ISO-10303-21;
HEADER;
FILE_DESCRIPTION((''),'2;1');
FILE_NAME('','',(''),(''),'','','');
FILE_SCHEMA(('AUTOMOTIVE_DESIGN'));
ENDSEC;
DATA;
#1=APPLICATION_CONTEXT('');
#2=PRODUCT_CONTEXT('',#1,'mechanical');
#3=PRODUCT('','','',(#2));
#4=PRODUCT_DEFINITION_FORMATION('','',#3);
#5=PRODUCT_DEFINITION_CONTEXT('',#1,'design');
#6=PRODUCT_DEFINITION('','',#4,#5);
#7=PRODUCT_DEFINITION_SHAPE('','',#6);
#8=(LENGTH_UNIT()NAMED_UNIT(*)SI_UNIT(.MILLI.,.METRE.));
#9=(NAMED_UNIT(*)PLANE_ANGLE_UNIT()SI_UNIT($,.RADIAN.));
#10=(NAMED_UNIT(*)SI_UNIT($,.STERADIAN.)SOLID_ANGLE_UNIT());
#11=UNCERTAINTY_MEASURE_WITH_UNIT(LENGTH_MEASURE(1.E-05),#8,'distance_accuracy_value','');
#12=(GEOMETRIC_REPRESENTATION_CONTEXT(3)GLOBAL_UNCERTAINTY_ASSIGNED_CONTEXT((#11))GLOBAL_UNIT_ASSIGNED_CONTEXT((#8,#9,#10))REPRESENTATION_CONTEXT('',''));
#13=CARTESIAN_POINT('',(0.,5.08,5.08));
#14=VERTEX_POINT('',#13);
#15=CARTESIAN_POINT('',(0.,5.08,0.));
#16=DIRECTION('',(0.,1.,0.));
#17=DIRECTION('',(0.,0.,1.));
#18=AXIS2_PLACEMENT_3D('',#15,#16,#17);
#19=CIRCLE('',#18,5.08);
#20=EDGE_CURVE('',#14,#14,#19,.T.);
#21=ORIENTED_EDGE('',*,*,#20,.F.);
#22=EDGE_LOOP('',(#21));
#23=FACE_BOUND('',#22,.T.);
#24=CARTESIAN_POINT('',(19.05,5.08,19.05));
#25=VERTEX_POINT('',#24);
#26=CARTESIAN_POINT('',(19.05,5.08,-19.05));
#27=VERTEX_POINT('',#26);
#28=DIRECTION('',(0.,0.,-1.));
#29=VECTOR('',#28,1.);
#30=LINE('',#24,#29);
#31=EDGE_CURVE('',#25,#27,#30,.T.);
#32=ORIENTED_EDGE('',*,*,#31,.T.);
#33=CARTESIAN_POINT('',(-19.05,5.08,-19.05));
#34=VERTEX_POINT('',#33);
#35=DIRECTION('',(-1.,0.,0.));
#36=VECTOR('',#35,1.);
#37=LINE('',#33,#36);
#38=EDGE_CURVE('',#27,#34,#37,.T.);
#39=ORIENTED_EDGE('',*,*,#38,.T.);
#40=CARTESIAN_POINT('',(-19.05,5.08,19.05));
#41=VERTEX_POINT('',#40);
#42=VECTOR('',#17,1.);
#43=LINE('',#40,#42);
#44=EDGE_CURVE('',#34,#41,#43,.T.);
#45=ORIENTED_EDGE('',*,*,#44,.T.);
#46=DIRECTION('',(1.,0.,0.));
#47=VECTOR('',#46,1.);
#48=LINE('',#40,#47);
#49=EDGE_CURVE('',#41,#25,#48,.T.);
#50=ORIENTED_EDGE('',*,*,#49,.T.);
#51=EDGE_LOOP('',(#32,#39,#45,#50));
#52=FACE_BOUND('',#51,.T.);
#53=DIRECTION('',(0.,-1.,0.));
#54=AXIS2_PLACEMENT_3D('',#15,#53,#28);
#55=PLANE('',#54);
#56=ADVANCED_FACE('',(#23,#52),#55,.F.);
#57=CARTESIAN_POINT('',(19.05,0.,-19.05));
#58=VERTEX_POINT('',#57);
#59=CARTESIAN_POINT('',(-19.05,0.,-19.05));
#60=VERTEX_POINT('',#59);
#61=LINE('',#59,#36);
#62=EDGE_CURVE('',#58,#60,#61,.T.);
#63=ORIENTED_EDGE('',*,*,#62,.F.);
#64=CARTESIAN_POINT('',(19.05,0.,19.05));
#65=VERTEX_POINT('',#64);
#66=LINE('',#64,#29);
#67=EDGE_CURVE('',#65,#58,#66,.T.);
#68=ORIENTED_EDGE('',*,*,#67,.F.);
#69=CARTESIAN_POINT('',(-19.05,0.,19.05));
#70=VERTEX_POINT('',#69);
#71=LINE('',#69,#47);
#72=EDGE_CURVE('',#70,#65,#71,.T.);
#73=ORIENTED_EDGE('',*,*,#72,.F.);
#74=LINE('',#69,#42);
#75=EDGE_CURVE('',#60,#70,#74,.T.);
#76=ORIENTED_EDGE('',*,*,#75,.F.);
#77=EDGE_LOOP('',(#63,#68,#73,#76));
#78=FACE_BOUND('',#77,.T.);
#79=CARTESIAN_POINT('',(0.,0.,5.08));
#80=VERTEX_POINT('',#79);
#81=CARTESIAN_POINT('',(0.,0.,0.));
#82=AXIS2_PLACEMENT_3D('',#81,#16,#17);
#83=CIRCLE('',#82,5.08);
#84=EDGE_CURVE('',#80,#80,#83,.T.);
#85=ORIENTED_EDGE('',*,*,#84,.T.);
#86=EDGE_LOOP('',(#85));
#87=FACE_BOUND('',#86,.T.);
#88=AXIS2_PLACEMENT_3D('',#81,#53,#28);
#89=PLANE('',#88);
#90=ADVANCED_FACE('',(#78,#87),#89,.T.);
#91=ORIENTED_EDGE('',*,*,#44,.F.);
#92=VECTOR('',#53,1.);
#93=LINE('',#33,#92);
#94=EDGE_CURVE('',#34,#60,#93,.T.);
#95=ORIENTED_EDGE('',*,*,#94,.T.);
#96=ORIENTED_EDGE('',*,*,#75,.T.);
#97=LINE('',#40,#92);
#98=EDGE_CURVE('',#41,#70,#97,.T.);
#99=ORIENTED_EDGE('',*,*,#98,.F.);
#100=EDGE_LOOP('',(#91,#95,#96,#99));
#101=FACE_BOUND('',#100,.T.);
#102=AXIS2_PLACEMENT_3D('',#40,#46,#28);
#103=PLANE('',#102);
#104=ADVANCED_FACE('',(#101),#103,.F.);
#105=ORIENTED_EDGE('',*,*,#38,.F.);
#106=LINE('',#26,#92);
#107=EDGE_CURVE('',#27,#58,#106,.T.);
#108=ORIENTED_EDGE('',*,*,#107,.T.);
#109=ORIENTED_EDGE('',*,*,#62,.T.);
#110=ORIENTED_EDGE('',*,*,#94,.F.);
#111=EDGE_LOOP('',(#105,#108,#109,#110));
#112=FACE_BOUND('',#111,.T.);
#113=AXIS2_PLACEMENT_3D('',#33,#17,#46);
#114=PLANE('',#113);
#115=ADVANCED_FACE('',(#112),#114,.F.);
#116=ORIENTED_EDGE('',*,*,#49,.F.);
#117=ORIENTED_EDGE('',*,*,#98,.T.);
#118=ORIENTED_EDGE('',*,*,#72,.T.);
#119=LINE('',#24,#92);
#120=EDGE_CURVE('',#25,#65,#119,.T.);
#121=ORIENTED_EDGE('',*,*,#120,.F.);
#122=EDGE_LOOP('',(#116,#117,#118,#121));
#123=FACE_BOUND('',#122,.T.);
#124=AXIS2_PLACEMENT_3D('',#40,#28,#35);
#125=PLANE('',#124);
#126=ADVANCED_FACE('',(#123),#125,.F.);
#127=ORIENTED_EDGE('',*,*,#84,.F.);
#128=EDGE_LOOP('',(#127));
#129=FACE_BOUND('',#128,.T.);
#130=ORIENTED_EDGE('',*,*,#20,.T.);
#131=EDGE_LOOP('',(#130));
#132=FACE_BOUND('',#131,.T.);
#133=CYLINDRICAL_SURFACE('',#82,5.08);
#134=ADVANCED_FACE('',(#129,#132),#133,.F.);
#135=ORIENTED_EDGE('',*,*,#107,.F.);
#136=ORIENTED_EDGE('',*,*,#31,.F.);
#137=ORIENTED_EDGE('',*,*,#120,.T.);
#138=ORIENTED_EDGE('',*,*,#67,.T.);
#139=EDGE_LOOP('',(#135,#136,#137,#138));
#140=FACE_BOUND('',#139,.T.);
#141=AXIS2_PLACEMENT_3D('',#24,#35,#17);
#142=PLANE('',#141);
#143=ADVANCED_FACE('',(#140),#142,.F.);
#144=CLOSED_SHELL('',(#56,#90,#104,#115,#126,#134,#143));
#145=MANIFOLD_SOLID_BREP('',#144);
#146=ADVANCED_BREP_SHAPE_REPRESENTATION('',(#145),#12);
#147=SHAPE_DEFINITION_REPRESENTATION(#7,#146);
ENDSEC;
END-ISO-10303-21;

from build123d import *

# Parameters (mm, degrees)
SKETCH1_W           = 38.1
SKETCH1_H           = 38.1
BOSS_EXTRUDE1_DEPTH = 5.08
SKETCH2_R           = 5.08
CUT_EXTRUDE1_DEPTH  = 5.08


with BuildPart() as part:
    # Sketch1 → Boss-Extrude1 (new body)
    with BuildSketch(Plane(origin=(0, 0, 0), x_dir=(1, 0, 0), z_dir=(0, 1, 0))):
        Rectangle(SKETCH1_W, SKETCH1_H)
    extrude(amount=BOSS_EXTRUDE1_DEPTH)

    # Sketch2 → Cut-Extrude1 (cut)
    with BuildSketch(Plane(origin=(0, 5.08, 0), x_dir=(1, 0, 0), z_dir=(0, 1, 0))):
        with Locations(Location((0, 0, 0), (0, 0, 270))):
            Circle(SKETCH2_R)
    extrude(amount=-CUT_EXTRUDE1_DEPTH, mode=Mode.SUBTRACT)


solid = part.part
